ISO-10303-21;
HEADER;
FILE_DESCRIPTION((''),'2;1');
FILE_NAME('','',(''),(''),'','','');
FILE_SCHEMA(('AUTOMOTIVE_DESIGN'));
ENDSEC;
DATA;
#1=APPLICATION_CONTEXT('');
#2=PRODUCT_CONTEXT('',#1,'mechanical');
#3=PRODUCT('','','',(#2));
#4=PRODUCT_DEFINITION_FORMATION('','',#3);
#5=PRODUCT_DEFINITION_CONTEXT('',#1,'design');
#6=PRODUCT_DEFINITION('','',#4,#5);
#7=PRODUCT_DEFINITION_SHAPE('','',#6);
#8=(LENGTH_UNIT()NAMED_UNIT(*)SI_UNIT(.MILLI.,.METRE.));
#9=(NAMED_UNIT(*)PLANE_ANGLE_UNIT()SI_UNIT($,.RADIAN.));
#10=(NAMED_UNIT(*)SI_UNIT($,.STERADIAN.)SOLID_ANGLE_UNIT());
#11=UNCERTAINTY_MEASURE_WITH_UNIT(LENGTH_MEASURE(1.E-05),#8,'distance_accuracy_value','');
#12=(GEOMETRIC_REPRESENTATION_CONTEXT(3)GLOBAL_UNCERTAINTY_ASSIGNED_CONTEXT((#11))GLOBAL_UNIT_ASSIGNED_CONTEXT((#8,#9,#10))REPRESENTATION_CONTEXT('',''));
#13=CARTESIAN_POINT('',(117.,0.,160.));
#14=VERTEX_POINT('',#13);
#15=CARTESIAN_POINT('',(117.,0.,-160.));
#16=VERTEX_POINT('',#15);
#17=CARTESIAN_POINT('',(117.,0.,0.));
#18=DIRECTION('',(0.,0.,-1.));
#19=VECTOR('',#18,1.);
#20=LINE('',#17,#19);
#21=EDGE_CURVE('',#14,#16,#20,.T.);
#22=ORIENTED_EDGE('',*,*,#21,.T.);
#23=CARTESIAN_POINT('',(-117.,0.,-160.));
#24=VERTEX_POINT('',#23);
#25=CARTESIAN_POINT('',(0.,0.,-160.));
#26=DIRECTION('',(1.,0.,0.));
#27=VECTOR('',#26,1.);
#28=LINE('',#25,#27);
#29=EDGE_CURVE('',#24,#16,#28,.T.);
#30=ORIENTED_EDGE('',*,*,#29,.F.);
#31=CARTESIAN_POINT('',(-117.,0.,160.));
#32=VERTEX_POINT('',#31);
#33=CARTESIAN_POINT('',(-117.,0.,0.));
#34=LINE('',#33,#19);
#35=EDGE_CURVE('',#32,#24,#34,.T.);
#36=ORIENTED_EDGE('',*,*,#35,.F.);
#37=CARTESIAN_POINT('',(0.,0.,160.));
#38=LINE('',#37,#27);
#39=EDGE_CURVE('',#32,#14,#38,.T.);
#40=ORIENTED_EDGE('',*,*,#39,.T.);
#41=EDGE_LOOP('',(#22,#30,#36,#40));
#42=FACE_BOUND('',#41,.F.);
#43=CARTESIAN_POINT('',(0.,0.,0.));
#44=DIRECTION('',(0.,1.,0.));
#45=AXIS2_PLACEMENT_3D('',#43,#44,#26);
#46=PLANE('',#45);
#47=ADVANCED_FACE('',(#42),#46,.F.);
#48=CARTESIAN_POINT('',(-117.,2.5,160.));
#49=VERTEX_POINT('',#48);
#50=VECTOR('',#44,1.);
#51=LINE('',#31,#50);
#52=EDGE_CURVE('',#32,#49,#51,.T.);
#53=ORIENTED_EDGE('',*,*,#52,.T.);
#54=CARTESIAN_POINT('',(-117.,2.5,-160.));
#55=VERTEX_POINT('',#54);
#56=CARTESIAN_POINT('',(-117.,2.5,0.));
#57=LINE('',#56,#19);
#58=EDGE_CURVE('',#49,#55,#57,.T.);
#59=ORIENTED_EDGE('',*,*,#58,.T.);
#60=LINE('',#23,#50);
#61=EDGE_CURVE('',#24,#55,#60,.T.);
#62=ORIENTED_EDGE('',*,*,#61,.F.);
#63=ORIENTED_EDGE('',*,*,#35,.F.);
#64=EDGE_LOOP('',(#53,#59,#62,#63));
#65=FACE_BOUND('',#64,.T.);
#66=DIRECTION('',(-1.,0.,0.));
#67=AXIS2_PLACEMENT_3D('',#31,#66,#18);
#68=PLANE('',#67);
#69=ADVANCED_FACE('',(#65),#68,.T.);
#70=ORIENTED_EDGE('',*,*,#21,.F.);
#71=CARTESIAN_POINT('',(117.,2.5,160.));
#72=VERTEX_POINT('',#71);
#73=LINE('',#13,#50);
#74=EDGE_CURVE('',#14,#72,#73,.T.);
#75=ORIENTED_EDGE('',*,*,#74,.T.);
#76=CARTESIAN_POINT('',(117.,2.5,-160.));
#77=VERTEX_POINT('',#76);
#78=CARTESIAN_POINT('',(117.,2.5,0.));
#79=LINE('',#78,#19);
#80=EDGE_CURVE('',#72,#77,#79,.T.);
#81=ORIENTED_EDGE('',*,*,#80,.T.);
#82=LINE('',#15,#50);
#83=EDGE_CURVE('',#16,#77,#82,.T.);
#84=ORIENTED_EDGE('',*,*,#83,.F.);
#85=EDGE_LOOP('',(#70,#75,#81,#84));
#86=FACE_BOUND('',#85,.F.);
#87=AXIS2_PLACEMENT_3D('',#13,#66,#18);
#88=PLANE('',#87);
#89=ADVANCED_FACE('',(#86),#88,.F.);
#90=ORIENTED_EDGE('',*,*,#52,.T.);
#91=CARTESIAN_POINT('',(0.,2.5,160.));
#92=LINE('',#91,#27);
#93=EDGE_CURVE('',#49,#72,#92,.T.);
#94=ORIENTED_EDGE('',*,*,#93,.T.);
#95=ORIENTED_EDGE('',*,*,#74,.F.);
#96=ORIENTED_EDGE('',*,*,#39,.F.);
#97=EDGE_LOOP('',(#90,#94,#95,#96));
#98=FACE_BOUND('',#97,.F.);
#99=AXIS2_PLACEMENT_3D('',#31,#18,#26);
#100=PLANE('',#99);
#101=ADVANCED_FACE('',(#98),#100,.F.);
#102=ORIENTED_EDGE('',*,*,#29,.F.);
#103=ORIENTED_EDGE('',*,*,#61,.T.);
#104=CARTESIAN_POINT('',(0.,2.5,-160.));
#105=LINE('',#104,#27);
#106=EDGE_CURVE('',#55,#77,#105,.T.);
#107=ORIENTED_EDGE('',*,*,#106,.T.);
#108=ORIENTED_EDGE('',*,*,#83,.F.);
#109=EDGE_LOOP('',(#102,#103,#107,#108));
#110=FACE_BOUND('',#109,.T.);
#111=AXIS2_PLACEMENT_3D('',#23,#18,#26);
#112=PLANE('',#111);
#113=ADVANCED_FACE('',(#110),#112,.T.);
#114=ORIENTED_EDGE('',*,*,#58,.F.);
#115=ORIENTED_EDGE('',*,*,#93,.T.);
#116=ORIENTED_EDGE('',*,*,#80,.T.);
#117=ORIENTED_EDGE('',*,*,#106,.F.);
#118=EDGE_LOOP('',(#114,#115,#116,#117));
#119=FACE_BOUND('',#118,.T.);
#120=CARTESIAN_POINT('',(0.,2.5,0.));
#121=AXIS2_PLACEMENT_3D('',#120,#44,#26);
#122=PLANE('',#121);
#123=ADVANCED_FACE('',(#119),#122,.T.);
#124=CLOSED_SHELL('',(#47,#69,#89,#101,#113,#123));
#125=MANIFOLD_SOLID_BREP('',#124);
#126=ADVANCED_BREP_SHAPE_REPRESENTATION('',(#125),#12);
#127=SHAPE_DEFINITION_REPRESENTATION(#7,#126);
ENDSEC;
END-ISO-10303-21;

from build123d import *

# Parameters (mm, degrees)
SKETCH_1_W      = 234
SKETCH_1_H      = 320
EXTRUDE_1_DEPTH = 2.5


with BuildPart() as part:
    # Эскиз1 → Бобышка-Вытянуть1 (new body)
    with BuildSketch(Plane(origin=(0, 0, 0), x_dir=(1, 0, 0), z_dir=(0, 1, 0))):
        Rectangle(SKETCH_1_W, SKETCH_1_H)
    extrude(amount=EXTRUDE_1_DEPTH)


solid = part.part
